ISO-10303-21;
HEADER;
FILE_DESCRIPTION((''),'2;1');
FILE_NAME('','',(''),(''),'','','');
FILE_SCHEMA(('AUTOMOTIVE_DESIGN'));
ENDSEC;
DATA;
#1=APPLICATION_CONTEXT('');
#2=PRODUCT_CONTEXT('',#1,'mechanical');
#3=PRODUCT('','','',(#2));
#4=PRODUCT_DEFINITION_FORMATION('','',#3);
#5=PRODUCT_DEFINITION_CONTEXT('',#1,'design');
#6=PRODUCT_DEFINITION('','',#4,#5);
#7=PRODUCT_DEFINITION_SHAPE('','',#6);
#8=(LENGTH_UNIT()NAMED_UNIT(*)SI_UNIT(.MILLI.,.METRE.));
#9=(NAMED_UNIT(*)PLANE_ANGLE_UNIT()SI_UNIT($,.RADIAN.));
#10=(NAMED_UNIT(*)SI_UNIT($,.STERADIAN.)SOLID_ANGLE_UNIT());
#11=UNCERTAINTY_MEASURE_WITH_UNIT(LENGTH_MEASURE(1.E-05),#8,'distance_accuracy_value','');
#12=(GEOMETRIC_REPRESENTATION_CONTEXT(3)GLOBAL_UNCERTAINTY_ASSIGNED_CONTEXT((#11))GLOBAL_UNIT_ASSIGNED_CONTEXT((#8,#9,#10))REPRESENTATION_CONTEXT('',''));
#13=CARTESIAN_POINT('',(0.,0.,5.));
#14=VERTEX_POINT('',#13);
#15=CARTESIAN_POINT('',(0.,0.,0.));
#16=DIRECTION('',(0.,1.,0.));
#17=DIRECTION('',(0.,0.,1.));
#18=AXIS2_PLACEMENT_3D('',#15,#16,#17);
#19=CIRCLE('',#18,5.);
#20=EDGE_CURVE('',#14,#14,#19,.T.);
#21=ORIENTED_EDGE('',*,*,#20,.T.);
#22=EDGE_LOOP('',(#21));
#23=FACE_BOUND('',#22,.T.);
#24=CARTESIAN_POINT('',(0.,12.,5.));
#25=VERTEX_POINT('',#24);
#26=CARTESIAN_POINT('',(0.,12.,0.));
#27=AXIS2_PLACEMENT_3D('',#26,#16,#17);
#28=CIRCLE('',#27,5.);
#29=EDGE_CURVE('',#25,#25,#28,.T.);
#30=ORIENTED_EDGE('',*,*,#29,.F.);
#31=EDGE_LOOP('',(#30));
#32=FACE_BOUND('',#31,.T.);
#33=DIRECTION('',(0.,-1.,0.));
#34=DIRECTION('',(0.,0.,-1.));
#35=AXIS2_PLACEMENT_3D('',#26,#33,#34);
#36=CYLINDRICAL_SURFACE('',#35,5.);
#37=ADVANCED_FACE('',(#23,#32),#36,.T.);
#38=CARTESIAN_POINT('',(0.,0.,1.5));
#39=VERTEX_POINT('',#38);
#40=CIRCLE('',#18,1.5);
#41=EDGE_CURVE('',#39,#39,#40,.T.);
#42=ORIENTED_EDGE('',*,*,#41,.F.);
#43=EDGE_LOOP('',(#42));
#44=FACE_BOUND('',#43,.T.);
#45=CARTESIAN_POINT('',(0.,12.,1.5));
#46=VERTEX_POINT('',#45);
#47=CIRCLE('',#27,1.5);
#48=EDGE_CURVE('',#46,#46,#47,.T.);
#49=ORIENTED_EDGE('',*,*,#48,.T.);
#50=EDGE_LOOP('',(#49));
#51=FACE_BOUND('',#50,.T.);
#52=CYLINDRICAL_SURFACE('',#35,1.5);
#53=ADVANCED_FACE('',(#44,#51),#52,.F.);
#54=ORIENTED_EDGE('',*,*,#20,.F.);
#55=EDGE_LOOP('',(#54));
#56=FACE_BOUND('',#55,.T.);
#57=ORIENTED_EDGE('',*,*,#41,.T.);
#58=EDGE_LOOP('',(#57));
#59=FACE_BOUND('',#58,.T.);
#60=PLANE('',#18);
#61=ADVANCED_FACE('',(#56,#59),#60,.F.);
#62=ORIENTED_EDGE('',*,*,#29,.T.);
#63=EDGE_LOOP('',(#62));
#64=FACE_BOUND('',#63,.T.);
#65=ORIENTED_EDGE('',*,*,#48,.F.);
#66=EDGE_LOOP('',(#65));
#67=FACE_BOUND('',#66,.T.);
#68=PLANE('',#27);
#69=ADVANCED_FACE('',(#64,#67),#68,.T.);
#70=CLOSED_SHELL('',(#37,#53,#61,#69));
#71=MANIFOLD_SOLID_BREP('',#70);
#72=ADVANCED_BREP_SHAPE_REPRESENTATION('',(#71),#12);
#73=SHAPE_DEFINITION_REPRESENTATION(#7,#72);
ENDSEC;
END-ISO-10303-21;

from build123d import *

# Parameters (mm, degrees)
SKETCH_1_R      = 5
SKETCH_1_R_2    = 1.5
EXTRUDE_1_DEPTH = 12


with BuildPart() as part:
    # 草图1 → 凸台-拉伸1 (new body)
    with BuildSketch(Plane(origin=(0, 0, 0), x_dir=(1, 0, 0), z_dir=(0, 1, 0))):
        Circle(SKETCH_1_R)
        Circle(SKETCH_1_R_2, mode=Mode.SUBTRACT)
    extrude(amount=EXTRUDE_1_DEPTH)


solid = part.part
